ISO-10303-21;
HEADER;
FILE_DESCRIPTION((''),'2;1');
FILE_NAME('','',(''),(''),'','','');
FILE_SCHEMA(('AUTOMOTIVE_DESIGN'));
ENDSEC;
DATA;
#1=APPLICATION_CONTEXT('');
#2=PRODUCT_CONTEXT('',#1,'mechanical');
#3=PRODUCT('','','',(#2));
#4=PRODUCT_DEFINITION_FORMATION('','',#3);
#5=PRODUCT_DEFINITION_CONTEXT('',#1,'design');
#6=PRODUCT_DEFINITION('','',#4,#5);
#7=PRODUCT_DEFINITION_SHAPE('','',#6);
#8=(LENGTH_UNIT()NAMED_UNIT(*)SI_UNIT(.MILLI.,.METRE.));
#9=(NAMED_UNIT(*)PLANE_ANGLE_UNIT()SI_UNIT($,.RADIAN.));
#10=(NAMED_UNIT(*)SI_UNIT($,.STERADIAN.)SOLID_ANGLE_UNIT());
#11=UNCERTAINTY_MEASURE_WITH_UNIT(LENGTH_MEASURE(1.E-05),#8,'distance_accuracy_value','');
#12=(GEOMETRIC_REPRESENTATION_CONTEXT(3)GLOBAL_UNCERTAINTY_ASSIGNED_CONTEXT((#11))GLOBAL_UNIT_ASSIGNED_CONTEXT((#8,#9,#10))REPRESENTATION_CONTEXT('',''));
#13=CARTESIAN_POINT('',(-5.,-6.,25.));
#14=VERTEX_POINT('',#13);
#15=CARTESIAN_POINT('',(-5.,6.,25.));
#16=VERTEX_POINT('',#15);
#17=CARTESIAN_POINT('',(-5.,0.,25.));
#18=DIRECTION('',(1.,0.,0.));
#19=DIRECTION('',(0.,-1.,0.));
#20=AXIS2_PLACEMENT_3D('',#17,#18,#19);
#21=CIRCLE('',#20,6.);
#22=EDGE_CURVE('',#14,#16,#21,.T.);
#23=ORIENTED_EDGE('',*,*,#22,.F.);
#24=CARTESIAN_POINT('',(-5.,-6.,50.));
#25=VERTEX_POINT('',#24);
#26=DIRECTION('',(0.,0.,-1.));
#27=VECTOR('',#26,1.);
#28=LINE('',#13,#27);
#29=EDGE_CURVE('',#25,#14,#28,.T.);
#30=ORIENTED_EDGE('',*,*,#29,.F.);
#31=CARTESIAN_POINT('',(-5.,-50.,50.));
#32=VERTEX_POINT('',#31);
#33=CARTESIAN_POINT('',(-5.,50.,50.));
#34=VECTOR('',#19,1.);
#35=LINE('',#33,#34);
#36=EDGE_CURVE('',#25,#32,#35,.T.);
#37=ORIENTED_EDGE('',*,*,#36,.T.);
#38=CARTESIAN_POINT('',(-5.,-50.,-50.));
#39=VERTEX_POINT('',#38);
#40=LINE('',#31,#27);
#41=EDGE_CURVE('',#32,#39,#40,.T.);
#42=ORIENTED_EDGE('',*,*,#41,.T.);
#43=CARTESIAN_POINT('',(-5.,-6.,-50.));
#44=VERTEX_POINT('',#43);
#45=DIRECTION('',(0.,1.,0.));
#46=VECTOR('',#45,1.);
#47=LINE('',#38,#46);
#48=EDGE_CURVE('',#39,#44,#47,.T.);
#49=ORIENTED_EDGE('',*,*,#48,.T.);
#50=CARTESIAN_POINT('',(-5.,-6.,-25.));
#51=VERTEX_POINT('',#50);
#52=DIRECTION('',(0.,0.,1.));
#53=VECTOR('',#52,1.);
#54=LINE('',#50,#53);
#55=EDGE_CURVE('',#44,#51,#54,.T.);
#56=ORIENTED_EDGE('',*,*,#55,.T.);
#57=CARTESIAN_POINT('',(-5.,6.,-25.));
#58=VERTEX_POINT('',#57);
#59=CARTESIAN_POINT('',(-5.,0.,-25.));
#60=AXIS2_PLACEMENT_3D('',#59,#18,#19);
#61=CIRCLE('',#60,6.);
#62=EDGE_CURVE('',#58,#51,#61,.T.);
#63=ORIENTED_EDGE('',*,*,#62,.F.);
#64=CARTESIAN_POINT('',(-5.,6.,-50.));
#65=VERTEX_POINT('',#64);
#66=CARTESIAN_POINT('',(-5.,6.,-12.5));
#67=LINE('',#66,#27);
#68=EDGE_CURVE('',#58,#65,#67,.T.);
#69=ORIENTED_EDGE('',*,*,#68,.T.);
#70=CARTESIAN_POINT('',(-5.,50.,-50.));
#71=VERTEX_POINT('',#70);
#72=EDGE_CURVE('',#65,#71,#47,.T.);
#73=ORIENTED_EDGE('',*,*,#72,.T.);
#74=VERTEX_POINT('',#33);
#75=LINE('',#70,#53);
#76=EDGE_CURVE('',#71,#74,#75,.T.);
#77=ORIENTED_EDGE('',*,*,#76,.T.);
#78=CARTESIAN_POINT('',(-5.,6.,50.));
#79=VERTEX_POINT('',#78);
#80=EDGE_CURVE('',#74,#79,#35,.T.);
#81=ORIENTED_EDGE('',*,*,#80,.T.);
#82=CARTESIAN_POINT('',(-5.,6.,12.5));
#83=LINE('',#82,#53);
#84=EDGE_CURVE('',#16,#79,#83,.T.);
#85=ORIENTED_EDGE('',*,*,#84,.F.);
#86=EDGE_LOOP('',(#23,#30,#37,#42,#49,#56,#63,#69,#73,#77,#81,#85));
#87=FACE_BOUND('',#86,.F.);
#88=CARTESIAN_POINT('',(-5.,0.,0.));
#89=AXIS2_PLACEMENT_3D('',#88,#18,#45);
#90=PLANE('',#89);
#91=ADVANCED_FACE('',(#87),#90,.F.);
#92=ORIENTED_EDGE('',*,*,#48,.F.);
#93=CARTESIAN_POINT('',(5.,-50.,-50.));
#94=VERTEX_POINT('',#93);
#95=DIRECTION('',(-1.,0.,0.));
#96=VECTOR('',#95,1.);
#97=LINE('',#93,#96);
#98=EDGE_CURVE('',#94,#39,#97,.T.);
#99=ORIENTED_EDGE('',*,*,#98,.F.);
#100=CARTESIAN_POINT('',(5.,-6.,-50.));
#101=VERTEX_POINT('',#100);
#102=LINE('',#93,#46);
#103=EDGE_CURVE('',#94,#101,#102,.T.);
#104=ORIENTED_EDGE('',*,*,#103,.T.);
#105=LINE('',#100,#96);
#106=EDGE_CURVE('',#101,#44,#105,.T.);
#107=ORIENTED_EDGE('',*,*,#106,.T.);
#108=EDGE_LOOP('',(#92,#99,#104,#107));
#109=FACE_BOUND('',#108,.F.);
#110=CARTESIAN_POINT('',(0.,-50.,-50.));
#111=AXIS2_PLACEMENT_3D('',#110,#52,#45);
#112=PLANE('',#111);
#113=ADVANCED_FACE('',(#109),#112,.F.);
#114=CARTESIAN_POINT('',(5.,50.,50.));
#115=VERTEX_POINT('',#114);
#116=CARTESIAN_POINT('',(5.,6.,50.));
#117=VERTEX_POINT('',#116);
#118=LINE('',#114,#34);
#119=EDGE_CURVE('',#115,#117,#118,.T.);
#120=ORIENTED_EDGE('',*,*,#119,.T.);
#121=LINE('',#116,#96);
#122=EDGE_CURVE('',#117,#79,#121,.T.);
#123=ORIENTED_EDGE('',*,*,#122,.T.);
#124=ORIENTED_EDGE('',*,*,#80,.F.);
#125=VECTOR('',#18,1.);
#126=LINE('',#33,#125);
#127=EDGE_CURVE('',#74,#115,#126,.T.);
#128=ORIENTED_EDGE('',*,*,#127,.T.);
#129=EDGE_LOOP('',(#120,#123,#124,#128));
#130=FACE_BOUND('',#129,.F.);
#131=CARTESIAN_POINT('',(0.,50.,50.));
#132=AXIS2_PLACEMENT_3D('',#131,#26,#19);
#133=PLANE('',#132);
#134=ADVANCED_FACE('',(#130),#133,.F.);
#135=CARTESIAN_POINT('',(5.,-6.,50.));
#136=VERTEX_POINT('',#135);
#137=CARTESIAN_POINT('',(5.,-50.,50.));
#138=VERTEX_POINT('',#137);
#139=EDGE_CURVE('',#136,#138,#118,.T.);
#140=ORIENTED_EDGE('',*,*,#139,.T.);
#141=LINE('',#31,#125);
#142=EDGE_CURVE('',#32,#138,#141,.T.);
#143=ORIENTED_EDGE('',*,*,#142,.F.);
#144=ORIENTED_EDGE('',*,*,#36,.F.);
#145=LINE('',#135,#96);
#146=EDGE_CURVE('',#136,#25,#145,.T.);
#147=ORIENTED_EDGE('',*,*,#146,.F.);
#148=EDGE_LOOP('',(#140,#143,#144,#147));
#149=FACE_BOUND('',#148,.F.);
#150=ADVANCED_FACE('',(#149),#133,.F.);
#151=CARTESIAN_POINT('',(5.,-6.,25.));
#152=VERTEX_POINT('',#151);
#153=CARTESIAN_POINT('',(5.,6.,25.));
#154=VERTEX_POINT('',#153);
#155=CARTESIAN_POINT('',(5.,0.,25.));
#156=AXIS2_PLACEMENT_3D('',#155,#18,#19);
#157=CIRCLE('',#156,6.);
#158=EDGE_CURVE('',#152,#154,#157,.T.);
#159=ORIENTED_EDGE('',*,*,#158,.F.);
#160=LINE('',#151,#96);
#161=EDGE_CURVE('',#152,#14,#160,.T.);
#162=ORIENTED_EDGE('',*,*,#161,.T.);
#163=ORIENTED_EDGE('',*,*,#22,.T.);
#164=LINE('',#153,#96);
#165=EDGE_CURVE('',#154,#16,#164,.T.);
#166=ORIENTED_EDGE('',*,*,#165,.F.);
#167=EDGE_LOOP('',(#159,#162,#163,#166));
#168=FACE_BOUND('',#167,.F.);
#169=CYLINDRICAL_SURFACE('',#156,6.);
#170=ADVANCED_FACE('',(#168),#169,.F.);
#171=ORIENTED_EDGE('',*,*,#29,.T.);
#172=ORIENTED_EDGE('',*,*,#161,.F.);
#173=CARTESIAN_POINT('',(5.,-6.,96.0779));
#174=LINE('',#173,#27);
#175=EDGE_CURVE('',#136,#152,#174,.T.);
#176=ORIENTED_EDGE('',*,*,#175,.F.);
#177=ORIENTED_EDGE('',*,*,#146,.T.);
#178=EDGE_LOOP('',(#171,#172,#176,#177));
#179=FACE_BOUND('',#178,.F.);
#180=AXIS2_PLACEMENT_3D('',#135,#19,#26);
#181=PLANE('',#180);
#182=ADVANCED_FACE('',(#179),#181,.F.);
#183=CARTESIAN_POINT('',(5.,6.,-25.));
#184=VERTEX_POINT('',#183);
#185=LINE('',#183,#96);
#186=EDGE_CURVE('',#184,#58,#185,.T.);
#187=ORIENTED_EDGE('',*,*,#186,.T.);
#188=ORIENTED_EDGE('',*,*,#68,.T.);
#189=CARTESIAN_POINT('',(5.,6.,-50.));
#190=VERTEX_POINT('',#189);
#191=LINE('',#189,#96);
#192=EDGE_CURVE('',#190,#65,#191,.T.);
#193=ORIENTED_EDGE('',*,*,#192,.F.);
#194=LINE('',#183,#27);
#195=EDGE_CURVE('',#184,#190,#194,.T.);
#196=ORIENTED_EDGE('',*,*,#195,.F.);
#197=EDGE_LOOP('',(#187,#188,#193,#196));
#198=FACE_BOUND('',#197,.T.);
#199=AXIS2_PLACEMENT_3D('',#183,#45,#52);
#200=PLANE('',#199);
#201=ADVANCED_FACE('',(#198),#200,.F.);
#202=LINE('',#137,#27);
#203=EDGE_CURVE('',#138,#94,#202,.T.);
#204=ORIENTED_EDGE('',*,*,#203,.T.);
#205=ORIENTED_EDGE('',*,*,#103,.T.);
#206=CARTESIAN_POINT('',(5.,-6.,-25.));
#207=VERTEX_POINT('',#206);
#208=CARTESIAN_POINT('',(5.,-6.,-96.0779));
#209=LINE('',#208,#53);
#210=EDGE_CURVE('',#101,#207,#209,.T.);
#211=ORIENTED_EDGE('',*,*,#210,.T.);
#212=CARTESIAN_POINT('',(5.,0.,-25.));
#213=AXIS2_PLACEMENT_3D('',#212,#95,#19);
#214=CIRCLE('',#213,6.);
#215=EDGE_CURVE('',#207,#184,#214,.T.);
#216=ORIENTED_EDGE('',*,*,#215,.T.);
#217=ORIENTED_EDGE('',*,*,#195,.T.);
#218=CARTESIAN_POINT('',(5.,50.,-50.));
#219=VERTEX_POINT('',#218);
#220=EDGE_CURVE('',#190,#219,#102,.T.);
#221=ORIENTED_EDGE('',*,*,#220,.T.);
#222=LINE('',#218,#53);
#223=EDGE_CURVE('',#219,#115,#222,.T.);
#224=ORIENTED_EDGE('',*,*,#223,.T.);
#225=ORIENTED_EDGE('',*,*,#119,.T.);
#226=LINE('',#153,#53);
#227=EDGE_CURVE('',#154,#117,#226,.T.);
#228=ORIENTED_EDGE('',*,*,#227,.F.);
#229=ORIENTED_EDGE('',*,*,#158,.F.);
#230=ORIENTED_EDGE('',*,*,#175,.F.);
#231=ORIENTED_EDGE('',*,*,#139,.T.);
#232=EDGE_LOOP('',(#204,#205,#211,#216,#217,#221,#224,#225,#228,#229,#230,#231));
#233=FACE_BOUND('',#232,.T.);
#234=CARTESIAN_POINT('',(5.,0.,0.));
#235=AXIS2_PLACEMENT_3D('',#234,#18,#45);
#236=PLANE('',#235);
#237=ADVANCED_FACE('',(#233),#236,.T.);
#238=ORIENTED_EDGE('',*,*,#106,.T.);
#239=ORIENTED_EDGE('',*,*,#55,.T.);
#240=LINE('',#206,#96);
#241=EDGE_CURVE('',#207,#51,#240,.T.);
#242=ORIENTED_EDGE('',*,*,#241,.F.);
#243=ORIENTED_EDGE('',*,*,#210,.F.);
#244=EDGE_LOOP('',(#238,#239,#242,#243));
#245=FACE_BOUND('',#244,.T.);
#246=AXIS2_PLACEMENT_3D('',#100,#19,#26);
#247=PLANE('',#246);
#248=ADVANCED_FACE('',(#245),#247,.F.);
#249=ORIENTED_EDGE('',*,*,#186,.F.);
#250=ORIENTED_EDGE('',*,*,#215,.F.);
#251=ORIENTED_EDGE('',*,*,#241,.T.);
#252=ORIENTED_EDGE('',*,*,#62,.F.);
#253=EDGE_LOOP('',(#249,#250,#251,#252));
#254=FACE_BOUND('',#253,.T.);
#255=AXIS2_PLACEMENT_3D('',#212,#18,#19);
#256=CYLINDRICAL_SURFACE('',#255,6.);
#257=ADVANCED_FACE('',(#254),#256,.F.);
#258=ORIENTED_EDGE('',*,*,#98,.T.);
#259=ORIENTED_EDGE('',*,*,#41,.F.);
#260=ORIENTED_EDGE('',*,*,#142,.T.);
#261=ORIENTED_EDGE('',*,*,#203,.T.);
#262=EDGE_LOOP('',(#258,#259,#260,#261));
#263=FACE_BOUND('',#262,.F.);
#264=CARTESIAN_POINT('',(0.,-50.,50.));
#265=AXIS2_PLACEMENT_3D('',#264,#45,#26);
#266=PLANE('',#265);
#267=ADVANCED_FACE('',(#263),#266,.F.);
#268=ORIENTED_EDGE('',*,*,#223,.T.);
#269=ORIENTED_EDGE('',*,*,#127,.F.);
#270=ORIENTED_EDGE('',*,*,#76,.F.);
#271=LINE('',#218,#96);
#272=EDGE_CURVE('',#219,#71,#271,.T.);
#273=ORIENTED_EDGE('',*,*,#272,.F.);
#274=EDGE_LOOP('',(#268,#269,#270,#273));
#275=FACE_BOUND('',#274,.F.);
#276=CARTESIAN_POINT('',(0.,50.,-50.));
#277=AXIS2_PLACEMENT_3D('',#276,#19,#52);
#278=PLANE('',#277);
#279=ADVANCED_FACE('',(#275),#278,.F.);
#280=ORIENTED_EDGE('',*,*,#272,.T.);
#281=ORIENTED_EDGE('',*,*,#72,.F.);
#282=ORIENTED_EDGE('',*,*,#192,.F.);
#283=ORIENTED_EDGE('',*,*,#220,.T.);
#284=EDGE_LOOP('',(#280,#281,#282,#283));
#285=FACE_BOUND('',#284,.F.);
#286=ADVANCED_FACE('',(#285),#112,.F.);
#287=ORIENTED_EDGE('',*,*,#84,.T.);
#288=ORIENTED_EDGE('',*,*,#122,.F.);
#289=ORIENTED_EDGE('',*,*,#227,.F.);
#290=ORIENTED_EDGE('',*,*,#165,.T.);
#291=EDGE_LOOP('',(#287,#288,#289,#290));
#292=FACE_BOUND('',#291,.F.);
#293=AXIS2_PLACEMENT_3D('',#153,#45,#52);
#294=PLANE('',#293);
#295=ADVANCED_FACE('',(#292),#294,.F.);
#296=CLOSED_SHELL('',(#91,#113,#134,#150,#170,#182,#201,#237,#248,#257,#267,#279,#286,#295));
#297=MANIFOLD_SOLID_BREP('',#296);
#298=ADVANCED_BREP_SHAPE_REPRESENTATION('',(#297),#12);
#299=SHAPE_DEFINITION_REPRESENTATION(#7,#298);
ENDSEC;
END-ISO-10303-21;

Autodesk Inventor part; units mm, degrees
ref_plane "YZ Plane" through (0, 0, 0) normal (1, 0, 0) x (0, 1, 0)
ref_plane "XZ Plane" through (0, 0, 0) normal (0, 1, 0) x (-1, 0, 0)
ref_plane "XY Plane" through (0, 0, 0) normal (0, 0, 1) x (1, 0, 0)
sketch "Sketch1" plane through (0, 0, 0) normal (1, 0, 0) x (0, 1, 0)
  line L0 (50, 50) -> (-50, 50)
  line L1 (-50, 50) -> (-50, -50)
  line L2 (-50, -50) -> (50, -50)
  line L3 (50, -50) -> (50, 50)
  line L4 (50, 50) -> (-50, -50) construction
  line L5 (-50, 50) -> (50, -50) construction
  point P0 (0, 0)
  dimension "d0" = 100
  dimension "d1" = 100
extrude "Extrusion1" add sketch "Sketch1" along normal mid plane 10
sketch "Sketch2" plane through (5, 0, 0) normal (1, 0, 0) x (0, 0, -1)
  line L0 (-96.0779, 0) -> (-25, 0) construction
  line L1 (-96.0779, -6) -> (-25, -6)
  line L2 (-25, 6) -> (-96.0779, 6)
  arc A0 (-96.0779, 6) -> (-96.0779, -6) centre (-96.0779, 0) ccw
  arc A1 (-25, -6) -> (-25, 6) centre (-25, 0) ccw
  line L3 (-50, 50) -> (-50, -50) projected
  point P0 (0, 0)
  point P1 (-60.539, 0)
  point P2 (-50, 6)
  point P3 (-50, -6)
  dimension "d4" = 25
  dimension "d5" = 6
extrude "Extrusion2" cut sketch "Sketch2" along normal through all both and the other way through all contours L3 L2 A1 L1
mirror "Mirror1" about plane through (0, 0, 0) normal (0, 0, 1) of "Extrusion2"
ref_plane "Work Plane1" through (0, 0, 0) normal (0, 0, 1) x (1, 0, 0)
